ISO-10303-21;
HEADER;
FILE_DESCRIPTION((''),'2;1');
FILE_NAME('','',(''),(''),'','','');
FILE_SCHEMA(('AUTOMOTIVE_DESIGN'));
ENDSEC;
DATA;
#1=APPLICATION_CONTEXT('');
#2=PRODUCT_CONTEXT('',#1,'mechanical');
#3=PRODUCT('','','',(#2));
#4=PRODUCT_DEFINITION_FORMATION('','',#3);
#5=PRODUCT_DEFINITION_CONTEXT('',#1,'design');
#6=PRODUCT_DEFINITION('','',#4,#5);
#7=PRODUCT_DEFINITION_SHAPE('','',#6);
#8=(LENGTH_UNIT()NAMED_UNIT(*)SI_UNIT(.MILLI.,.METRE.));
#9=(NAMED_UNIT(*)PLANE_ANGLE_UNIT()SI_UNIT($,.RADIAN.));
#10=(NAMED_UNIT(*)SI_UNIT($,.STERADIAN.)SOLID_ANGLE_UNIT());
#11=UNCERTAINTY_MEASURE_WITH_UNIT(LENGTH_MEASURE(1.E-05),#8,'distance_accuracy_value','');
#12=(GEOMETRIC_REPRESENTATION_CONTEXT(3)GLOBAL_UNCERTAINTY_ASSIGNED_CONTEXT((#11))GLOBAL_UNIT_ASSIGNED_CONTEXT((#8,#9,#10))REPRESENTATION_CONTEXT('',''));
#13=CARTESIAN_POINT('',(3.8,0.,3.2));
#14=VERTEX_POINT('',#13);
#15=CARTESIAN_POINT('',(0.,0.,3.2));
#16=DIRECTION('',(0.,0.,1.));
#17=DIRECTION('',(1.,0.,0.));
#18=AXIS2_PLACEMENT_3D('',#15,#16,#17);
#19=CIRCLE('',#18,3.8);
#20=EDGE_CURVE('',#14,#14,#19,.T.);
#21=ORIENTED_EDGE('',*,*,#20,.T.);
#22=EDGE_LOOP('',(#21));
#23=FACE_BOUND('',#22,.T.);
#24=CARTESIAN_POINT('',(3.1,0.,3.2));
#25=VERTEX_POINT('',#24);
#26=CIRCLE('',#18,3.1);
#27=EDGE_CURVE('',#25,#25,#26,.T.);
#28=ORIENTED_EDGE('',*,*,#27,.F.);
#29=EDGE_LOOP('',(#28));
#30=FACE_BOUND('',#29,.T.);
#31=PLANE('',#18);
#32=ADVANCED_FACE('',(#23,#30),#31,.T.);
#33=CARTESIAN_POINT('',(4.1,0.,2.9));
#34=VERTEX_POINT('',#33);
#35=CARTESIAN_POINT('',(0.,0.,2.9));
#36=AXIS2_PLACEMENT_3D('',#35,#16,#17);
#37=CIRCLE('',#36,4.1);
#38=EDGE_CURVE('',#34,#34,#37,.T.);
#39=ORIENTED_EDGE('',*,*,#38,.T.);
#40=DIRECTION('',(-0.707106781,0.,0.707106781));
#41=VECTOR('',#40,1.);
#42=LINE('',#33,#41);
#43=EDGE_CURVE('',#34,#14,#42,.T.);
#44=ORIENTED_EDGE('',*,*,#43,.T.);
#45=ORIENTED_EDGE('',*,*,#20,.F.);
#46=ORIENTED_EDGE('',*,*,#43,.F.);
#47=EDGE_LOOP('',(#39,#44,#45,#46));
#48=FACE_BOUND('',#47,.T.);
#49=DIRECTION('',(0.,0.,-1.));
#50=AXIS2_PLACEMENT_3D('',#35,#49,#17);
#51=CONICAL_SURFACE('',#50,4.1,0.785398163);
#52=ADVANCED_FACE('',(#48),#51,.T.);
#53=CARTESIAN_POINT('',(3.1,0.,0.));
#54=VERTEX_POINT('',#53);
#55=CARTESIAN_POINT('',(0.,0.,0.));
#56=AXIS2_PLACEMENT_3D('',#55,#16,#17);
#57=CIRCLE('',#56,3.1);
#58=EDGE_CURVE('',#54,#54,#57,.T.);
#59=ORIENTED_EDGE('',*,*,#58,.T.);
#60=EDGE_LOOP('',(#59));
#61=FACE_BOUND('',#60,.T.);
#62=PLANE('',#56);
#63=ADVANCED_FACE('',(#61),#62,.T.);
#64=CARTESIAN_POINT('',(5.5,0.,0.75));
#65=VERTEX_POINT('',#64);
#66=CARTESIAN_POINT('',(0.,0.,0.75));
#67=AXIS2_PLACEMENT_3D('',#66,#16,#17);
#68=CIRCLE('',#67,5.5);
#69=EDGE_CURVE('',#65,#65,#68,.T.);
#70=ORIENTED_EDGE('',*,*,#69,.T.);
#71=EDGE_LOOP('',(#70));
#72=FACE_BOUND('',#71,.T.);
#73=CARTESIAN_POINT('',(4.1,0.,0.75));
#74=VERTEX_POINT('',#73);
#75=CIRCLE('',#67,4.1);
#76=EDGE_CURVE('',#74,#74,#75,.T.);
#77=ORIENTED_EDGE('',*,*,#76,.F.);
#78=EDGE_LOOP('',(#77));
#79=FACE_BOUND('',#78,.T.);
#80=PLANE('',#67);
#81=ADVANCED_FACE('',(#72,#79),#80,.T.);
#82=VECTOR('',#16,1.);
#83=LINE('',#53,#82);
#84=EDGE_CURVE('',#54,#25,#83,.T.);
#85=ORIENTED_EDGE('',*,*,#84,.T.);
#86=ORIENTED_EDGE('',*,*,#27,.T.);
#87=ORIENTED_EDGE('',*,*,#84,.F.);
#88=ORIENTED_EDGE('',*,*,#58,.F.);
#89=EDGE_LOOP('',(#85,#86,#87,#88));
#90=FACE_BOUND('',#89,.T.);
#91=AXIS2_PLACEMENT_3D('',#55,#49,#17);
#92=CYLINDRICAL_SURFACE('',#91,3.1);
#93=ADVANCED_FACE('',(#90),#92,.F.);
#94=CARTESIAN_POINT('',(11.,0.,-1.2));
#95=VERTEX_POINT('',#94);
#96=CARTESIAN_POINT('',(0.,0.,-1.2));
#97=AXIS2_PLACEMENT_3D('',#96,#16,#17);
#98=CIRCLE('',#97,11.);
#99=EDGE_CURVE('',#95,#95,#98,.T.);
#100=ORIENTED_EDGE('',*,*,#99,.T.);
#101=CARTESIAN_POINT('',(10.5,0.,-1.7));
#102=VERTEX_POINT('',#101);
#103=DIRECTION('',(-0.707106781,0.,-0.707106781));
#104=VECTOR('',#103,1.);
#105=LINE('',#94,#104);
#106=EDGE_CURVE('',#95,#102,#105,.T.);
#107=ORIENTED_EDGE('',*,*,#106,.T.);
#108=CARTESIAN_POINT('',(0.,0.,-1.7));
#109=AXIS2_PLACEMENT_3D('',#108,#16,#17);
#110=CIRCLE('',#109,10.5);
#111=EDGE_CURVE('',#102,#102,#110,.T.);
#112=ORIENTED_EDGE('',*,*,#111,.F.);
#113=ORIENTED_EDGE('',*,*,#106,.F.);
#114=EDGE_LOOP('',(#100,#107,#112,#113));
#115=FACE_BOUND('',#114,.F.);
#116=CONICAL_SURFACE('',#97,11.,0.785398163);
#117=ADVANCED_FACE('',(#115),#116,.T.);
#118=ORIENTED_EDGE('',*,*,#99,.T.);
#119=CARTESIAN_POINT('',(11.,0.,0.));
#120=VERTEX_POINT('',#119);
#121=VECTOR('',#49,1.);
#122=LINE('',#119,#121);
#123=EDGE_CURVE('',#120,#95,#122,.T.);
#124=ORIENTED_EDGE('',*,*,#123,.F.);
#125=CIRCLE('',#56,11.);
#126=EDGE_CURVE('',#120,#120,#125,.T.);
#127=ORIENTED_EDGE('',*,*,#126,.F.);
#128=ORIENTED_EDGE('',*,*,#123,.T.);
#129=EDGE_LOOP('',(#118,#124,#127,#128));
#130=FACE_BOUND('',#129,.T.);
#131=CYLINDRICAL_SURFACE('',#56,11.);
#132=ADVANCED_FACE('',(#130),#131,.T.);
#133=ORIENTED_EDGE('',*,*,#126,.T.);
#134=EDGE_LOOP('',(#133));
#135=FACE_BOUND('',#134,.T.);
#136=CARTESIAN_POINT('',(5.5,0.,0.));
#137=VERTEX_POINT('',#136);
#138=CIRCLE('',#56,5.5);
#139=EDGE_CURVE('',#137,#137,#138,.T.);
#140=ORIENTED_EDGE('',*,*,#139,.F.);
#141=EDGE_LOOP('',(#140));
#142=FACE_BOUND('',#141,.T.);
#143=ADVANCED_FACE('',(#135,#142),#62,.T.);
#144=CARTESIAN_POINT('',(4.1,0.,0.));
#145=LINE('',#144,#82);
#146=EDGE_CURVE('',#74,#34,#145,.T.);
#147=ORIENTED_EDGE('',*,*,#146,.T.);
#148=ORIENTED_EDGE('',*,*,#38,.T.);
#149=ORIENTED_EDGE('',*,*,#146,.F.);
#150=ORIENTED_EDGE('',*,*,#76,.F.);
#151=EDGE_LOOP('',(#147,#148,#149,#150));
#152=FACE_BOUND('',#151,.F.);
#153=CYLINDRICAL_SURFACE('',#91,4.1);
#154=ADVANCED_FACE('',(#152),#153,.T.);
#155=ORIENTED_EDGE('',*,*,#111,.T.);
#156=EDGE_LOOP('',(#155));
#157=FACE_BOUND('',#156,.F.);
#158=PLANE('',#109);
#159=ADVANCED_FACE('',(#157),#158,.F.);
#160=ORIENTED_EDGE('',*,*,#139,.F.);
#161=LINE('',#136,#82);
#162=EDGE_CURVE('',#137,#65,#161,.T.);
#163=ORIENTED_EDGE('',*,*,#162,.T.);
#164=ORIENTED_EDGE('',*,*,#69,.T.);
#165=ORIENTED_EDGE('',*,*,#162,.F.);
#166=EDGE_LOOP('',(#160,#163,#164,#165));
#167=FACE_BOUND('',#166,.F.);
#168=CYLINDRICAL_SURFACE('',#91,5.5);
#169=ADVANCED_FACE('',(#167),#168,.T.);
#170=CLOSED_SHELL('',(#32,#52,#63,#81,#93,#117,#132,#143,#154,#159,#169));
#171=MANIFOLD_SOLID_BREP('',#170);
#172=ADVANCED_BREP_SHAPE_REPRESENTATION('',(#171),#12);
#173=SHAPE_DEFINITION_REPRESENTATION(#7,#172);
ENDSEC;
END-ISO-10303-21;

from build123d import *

# Parameters (mm, degrees)
F0_R     = 5.5
F0_R_2   = 4.1
F1_DEPTH = 0.75
F0_R_3   = 11
F0_R_4   = 3.1
F2_DEPTH = 1.7
F3_DEPTH = 3.2
F4_SIZE  = 0.5
F5_SIZE  = 0.3


with BuildPart() as f1:
    # F0 (on Top) → F1 (new body)
    with BuildSketch(Plane.XY):
        Circle(F0_R)
        Circle(F0_R_2, mode=Mode.SUBTRACT)
    extrude(amount=F1_DEPTH)

    # F0 (on Top) → F2 (join)
    with BuildSketch(Plane.XY):
        Circle(F0_R_3)
        Circle(F0_R, mode=Mode.SUBTRACT)
        Circle(F0_R)
        Circle(F0_R_2, mode=Mode.SUBTRACT)
        Circle(F0_R_2)
        Circle(F0_R_4, mode=Mode.SUBTRACT)
        Circle(F0_R_4)
    extrude(amount=-F2_DEPTH)

    # F0 (on Top) → F3 (join)
    with BuildSketch(Plane.XY):
        Circle(F0_R_2)
        Circle(F0_R_4, mode=Mode.SUBTRACT)
    extrude(amount=F3_DEPTH)

    # F4
    f4_edges = [f1.edges().sort_by_distance(p)[0] for p in [
        (-11, 0, -1.7),
    ]]
    chamfer(f4_edges, length=F4_SIZE)

    # F5
    f5_edges = [f1.edges().sort_by_distance(p)[0] for p in [
        (-4.1, 0, 3.2),
    ]]
    chamfer(f5_edges, length=F5_SIZE)


solid = f1.part
